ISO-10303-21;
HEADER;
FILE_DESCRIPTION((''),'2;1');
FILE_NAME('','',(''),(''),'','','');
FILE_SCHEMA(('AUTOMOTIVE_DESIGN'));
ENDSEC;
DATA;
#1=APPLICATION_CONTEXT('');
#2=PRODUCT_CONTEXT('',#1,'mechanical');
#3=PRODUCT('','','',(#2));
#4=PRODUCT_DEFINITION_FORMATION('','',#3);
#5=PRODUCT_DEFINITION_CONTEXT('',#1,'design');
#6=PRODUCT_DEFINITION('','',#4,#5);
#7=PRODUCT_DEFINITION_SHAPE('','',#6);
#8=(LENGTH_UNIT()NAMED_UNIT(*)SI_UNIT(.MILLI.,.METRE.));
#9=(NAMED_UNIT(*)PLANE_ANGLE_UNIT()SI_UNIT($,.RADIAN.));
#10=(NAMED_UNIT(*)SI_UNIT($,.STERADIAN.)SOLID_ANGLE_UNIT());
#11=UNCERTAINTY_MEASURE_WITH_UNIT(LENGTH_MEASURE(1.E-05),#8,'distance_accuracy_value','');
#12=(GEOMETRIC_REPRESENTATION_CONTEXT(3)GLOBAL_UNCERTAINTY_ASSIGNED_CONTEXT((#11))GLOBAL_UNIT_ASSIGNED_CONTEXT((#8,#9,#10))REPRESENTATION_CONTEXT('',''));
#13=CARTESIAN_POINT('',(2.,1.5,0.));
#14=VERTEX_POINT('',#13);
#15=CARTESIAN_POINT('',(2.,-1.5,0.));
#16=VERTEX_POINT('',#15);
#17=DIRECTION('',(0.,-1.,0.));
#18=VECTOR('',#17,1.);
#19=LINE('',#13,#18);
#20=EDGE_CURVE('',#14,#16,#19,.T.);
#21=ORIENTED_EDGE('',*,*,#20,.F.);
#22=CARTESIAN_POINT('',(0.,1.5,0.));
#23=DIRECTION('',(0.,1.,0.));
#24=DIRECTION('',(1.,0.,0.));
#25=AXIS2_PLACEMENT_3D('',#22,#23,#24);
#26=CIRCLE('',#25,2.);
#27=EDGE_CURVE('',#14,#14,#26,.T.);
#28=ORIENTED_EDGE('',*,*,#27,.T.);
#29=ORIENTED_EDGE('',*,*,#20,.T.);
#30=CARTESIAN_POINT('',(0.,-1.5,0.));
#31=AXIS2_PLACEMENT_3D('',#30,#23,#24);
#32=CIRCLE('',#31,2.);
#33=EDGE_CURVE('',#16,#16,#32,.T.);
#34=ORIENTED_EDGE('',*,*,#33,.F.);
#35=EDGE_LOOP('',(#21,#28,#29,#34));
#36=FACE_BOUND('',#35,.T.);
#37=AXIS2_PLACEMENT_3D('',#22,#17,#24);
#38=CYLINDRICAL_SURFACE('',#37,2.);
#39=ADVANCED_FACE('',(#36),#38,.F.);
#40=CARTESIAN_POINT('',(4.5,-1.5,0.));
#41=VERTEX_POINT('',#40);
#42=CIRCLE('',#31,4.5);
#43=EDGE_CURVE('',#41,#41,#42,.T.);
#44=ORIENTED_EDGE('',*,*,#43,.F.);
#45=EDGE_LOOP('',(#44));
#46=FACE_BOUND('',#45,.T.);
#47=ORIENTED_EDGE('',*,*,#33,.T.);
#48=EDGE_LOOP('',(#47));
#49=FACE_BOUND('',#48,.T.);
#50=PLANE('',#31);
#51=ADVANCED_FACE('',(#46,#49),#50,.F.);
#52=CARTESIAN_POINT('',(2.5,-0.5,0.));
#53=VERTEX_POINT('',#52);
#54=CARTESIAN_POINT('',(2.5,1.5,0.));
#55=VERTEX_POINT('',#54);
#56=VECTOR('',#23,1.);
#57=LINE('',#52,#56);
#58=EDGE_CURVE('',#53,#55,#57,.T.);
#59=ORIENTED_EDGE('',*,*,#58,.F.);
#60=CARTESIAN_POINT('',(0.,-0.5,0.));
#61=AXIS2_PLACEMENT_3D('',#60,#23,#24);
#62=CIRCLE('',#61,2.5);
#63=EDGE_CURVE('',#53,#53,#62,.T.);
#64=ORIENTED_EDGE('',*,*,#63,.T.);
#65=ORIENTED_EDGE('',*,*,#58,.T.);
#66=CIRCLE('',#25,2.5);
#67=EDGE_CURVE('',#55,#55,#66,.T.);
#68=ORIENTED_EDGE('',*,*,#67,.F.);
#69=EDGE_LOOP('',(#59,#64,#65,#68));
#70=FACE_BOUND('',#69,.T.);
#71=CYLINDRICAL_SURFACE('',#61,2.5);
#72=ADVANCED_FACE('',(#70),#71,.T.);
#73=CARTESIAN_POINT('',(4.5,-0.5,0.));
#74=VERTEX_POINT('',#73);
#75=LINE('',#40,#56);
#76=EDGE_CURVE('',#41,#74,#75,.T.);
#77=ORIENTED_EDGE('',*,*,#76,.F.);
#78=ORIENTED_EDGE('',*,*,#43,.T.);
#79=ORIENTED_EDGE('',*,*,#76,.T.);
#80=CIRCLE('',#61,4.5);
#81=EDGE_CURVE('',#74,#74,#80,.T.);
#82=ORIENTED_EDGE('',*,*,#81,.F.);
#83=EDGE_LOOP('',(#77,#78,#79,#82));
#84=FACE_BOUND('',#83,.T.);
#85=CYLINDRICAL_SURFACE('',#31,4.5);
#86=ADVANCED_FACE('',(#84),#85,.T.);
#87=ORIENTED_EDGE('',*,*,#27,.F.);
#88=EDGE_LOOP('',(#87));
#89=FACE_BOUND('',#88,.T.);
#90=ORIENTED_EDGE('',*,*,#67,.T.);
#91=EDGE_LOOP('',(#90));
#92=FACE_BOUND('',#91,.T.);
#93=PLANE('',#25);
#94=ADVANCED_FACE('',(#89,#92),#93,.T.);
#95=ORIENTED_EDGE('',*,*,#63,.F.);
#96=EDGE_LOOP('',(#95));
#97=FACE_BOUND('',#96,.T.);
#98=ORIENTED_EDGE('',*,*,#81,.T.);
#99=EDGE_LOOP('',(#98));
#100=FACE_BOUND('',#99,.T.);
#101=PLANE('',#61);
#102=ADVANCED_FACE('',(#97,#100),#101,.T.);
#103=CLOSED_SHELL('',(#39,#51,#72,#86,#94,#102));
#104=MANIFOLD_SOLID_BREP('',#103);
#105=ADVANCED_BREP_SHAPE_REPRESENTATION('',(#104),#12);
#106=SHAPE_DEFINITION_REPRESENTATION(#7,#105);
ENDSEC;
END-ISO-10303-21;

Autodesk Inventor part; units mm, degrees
ref_plane "YZ Plane" through (0, 0, 0) normal (1, 0, 0) x (0, 1, 0)
ref_plane "XZ Plane" through (0, 0, 0) normal (0, 1, 0) x (-1, 0, 0)
ref_plane "XY Plane" through (0, 0, 0) normal (0, 0, 1) x (1, 0, 0)
sketch "スケッチ1" plane through (0, 0, 0) normal (0, 0, 1) x (1, 0, 0)
  line L0 (2, 1.5) -> (2, -1.5)
  line L1 (2, -1.5) -> (4.5, -1.5)
  line L2 (4.5, -1.5) -> (4.5, -0.5)
  line L3 (4.5, -0.5) -> (2.5, -0.5)
  line L4 (2.5, -0.5) -> (2.5, 1.5)
  line L5 (2.5, 1.5) -> (2, 1.5)
  line L6 (0, 0) -> (0, 2.9634) construction
  point P0 (2, 0)
  dimension "d0" = 1
  dimension "d1" = 2
  dimension "d2" = 2.5
  dimension "d3" = 4.5
  dimension "d4" = 2
revolve "回転1" add sketch "スケッチ1" angle 360 about axis through (0, 0, 0) along (0, 1, 0)
properties part number "D4050-9120B" material "アセタール樹脂、白"
